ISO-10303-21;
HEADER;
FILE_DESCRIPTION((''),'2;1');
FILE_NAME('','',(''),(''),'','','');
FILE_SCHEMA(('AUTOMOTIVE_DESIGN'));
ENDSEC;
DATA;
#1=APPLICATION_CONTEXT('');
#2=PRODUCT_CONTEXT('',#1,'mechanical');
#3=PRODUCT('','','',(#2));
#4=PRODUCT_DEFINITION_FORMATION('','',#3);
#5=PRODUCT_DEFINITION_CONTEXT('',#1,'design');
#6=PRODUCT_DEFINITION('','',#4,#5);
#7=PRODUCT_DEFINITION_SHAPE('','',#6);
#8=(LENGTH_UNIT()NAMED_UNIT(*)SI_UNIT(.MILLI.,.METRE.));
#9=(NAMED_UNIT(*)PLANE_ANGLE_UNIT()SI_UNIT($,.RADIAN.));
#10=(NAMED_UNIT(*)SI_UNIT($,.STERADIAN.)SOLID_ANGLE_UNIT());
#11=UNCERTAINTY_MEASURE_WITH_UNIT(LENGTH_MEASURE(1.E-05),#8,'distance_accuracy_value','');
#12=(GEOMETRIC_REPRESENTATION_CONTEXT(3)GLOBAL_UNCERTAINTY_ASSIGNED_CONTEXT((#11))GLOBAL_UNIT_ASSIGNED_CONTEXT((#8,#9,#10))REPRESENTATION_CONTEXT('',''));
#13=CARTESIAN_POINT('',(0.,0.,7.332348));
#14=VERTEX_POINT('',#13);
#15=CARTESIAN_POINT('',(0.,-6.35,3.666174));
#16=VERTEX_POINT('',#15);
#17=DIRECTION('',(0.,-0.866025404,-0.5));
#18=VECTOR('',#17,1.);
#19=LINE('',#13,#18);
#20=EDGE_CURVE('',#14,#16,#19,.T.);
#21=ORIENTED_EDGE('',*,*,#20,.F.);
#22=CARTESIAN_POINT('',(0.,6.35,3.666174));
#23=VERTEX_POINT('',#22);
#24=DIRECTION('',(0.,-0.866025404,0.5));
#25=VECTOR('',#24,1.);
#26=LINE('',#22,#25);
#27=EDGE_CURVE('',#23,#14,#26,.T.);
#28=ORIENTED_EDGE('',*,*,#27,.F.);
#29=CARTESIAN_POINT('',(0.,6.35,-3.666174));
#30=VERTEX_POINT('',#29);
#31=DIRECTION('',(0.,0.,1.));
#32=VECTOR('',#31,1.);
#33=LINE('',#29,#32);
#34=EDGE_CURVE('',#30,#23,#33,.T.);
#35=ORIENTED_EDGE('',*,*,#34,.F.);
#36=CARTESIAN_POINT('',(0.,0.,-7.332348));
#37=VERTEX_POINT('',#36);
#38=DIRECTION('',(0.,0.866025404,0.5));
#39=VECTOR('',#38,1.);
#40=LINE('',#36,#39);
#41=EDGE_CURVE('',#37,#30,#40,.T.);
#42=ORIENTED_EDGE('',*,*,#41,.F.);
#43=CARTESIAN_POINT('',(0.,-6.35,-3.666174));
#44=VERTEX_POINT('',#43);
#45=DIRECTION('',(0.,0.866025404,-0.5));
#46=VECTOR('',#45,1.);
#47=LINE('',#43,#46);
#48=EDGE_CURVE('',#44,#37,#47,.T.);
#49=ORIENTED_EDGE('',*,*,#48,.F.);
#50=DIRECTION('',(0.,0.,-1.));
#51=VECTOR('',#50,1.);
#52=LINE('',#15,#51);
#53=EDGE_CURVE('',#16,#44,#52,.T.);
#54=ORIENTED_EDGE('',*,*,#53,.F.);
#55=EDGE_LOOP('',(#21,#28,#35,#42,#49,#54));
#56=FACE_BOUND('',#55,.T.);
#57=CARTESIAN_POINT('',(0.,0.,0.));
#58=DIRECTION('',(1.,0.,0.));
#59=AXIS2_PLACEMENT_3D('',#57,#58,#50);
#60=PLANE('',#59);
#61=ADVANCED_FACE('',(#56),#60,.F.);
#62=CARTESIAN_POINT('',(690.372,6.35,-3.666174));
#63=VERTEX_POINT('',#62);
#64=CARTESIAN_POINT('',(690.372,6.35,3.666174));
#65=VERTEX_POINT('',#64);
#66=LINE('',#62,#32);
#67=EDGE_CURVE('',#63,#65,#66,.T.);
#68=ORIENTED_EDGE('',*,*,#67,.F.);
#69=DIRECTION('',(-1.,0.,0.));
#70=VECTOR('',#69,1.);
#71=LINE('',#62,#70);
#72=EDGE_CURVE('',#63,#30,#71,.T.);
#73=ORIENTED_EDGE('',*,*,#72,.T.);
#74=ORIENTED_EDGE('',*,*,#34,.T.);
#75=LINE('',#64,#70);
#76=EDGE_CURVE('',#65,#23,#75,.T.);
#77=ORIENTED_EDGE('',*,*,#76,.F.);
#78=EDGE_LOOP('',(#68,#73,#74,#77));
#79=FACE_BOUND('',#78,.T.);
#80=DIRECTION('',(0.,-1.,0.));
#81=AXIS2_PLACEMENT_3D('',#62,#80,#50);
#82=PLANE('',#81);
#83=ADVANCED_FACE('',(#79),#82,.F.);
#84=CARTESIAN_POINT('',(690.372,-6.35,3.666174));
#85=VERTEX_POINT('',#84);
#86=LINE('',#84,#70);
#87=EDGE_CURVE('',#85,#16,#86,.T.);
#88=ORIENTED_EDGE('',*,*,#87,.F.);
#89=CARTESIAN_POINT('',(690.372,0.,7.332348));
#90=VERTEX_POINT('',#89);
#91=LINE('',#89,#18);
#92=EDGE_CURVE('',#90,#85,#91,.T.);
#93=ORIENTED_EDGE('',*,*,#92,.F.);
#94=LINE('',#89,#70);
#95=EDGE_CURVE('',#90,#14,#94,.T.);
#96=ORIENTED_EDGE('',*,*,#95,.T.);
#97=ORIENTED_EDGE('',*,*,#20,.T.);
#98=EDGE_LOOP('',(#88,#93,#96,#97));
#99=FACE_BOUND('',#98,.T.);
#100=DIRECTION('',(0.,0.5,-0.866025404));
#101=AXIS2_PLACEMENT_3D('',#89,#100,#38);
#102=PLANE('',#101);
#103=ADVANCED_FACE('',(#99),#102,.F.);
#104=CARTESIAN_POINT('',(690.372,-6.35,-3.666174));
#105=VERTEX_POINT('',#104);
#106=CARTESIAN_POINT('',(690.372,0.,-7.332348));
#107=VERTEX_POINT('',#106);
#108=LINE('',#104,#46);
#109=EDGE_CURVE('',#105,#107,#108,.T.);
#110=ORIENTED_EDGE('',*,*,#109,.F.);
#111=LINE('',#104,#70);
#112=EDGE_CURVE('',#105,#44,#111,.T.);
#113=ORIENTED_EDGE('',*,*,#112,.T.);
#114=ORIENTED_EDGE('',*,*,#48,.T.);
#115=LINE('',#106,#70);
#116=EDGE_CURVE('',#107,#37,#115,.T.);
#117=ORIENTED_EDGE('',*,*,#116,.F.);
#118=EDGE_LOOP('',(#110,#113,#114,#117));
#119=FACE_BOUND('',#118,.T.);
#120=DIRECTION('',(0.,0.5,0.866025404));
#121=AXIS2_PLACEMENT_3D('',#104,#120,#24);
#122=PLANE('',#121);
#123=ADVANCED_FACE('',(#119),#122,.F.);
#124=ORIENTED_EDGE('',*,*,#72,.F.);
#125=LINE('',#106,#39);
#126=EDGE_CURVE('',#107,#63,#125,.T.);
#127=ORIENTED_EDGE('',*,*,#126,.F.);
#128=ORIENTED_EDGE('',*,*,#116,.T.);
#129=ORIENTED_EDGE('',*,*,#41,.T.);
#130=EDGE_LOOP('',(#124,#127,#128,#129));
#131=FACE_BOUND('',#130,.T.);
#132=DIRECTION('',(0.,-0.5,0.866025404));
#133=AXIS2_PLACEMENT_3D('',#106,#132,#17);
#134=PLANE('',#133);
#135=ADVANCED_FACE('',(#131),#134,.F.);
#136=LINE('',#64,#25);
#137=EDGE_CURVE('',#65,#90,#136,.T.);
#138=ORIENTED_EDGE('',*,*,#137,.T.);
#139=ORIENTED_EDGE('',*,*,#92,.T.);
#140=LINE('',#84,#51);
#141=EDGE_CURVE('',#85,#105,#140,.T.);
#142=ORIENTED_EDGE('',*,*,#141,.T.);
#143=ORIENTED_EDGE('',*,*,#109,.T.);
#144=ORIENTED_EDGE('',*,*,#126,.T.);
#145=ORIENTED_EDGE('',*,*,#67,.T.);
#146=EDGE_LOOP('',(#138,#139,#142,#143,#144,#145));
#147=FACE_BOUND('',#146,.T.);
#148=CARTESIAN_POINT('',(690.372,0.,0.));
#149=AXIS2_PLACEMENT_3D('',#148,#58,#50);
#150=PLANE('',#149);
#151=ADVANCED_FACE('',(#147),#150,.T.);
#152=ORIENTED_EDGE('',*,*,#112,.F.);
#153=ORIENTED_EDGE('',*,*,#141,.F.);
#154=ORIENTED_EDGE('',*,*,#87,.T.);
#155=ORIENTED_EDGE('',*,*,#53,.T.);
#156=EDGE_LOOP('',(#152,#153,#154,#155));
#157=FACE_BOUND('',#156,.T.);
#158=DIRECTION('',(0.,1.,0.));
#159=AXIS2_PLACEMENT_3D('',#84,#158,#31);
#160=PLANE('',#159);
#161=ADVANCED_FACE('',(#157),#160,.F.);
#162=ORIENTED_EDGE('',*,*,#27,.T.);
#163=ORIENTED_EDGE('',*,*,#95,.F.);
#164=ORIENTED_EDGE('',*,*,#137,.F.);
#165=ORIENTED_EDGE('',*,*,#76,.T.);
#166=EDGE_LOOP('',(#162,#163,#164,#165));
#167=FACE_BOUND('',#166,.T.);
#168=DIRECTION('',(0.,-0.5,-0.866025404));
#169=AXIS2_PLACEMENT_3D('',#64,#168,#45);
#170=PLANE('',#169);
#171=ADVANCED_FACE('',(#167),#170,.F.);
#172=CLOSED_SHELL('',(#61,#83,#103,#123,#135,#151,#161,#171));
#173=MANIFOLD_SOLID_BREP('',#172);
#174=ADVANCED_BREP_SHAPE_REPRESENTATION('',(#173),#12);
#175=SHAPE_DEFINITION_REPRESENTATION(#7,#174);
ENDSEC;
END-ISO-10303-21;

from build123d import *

# Parameters (mm, degrees)
BOSS_EXTRUDE1_DEPTH = 690.372


with BuildPart() as part:
    # Sketch1 → Boss-Extrude1 (new body)
    with BuildSketch(Plane(origin=(0, 0, 0), x_dir=(0, 0, -1), z_dir=(1, 0, 0))):
        Polygon((7.332348419, 0), (3.666174209, 6.35), (-3.666174209, 6.35), (-7.332348419, 0), (-3.666174209, -6.35), (3.666174209, -6.35), align=None)
    extrude(amount=BOSS_EXTRUDE1_DEPTH)


solid = part.part
